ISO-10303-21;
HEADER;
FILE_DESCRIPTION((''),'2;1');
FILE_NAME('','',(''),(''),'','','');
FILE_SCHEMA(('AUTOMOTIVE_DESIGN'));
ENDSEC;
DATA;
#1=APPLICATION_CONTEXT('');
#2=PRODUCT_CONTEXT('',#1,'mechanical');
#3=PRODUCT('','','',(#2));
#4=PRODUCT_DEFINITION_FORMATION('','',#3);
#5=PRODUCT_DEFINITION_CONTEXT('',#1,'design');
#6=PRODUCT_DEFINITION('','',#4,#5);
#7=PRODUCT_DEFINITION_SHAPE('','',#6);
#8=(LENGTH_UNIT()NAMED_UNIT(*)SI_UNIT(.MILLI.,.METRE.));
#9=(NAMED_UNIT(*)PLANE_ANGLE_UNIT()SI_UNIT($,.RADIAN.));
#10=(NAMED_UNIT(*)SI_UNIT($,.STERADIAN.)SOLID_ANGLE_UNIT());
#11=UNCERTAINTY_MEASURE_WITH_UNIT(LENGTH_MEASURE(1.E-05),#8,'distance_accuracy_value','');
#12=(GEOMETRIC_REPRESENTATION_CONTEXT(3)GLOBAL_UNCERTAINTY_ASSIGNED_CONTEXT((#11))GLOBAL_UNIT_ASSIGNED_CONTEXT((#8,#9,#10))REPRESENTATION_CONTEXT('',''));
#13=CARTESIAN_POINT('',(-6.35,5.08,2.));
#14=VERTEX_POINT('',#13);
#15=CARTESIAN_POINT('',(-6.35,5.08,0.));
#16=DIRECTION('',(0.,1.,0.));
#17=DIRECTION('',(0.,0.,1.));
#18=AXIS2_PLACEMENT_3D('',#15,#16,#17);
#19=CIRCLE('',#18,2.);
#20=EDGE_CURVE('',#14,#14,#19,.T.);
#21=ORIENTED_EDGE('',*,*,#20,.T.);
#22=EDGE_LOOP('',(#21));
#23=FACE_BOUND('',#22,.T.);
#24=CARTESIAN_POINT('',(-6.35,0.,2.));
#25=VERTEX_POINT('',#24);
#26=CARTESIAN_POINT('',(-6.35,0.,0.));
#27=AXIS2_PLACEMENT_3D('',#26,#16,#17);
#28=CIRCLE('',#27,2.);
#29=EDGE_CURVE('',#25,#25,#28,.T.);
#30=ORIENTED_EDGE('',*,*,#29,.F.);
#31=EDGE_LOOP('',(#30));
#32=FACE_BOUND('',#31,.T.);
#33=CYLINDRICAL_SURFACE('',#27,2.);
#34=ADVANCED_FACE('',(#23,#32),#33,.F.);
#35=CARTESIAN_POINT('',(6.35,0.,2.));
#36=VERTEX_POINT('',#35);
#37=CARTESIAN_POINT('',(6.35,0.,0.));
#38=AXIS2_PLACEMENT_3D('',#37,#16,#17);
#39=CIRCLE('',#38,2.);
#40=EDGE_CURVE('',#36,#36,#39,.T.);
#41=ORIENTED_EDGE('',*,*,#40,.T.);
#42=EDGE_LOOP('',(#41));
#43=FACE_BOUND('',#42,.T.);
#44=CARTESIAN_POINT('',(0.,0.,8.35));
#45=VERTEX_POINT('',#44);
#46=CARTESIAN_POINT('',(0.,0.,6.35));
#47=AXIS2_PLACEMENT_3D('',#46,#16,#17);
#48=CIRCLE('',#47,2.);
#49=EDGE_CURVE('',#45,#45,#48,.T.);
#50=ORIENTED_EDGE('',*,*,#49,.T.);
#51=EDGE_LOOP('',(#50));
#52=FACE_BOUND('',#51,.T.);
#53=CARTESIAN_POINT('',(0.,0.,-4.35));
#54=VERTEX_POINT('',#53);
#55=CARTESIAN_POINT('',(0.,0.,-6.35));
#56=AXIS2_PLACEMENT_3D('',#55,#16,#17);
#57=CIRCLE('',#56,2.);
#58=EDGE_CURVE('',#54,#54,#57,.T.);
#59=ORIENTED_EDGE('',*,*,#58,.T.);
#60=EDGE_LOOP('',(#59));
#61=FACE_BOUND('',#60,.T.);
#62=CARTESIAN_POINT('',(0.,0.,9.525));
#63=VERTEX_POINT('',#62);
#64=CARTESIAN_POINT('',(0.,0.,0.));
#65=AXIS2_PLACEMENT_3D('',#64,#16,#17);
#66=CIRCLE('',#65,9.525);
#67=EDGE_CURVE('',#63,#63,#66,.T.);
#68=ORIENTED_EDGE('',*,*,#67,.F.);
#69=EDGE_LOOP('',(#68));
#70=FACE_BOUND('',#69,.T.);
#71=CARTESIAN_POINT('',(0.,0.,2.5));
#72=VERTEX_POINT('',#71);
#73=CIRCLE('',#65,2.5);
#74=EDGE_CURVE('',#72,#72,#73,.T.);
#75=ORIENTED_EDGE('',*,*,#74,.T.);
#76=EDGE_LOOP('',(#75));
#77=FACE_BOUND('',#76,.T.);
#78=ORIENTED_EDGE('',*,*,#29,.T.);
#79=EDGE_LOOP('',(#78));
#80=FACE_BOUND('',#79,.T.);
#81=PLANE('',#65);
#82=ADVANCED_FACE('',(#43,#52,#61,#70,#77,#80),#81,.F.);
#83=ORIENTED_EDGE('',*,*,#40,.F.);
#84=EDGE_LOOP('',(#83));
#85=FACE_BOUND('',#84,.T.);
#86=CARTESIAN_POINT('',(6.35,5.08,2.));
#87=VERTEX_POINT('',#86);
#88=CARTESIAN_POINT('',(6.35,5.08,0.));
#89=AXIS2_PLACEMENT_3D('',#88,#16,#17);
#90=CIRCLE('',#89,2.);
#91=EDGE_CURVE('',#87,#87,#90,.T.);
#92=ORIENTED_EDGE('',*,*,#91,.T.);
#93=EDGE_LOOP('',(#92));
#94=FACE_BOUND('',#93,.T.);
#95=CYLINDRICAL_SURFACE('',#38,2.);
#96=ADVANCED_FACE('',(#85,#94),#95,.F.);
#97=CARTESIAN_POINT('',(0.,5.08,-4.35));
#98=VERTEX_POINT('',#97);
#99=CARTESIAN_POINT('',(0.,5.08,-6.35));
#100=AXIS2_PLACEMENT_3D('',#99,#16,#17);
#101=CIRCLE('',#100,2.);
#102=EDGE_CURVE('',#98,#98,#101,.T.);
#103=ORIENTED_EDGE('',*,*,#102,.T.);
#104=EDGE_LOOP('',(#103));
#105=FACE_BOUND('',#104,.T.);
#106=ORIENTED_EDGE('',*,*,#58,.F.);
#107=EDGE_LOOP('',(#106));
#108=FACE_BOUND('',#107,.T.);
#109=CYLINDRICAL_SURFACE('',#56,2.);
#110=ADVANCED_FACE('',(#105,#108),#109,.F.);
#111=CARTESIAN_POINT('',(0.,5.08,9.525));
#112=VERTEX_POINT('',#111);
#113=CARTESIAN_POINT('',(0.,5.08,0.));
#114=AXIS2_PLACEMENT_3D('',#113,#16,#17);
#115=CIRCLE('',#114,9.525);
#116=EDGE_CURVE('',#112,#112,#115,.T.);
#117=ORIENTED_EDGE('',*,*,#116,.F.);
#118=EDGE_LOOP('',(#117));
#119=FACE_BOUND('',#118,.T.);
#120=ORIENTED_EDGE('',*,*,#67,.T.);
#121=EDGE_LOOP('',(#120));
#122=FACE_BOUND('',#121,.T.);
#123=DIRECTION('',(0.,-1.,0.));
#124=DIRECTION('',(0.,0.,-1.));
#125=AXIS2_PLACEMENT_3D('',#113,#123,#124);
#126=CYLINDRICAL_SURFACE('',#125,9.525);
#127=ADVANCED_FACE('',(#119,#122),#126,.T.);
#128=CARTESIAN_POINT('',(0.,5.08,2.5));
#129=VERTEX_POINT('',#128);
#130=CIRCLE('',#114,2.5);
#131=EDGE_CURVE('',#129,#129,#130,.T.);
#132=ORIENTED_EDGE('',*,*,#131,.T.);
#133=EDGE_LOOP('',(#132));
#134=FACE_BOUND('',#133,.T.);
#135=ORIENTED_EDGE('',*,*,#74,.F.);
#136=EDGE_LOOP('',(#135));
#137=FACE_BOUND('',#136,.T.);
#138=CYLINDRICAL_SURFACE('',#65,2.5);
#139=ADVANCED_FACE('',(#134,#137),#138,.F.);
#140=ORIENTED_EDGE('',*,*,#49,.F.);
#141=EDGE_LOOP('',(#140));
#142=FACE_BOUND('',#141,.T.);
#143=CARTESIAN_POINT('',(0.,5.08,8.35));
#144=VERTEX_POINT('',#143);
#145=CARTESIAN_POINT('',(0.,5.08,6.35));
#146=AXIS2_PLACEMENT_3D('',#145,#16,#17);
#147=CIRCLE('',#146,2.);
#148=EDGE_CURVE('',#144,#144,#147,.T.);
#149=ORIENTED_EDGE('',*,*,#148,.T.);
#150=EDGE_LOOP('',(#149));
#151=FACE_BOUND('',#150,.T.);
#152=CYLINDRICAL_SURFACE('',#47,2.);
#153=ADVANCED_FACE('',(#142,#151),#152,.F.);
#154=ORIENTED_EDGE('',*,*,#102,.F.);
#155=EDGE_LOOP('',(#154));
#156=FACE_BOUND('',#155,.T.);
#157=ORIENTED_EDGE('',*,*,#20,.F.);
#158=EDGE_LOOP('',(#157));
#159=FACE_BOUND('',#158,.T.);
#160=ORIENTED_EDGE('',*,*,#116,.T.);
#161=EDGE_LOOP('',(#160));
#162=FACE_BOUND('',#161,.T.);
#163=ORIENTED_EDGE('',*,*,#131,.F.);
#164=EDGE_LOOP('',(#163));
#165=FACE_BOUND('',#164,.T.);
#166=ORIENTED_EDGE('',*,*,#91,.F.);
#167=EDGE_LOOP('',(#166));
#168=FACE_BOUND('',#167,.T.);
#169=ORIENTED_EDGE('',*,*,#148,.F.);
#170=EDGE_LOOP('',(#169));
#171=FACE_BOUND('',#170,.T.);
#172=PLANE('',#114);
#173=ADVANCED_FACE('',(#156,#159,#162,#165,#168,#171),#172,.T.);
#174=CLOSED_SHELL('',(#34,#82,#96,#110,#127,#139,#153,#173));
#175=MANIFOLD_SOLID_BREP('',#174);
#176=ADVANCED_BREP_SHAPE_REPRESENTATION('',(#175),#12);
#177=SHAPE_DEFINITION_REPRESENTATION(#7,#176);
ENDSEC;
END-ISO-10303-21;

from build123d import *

# Parameters (mm, degrees)
ESQUISSE1_R             = 9.525
BOSS_EXTRU_1_DEPTH      = 5.08
ESQUISSE2_R             = 2
ESQUISSE2_R_2           = 2.5
ENL_V_MAT_EXTRU_1_DEPTH = 15.396445742


with BuildPart() as part:
    # Esquisse1 → Boss.-Extru.1 (new body)
    with BuildSketch(Plane(origin=(0, 0, 0), x_dir=(1, 0, 0), z_dir=(0, 1, 0))):
        with Locations(Location((0, 0, 0), (0, 0, 270))):
            Circle(ESQUISSE1_R)
    extrude(amount=BOSS_EXTRU_1_DEPTH)

    # Esquisse2 → Enlèv. mat.-Extru.1 (cut, through all)
    with BuildSketch(Plane(origin=(0, 5.08, 0), x_dir=(1, 0, 0), z_dir=(0, 1, 0))):
        with Locations(Location((0, 6.35, 0), (0, 0, 270))):
            Circle(ESQUISSE2_R)
        with Locations(Location((-6.35, 0, 0), (0, 0, 270))):
            Circle(ESQUISSE2_R)
        with Locations(Location((6.35, 0, 0), (0, 0, 270))):
            Circle(ESQUISSE2_R)
        with Locations(Location((0, -6.35, 0), (0, 0, 270))):
            Circle(ESQUISSE2_R)
        with Locations(Location((0, 0, 0), (0, 0, 270))):
            Circle(ESQUISSE2_R_2)
    extrude(amount=-ENL_V_MAT_EXTRU_1_DEPTH, mode=Mode.SUBTRACT)


solid = part.part
